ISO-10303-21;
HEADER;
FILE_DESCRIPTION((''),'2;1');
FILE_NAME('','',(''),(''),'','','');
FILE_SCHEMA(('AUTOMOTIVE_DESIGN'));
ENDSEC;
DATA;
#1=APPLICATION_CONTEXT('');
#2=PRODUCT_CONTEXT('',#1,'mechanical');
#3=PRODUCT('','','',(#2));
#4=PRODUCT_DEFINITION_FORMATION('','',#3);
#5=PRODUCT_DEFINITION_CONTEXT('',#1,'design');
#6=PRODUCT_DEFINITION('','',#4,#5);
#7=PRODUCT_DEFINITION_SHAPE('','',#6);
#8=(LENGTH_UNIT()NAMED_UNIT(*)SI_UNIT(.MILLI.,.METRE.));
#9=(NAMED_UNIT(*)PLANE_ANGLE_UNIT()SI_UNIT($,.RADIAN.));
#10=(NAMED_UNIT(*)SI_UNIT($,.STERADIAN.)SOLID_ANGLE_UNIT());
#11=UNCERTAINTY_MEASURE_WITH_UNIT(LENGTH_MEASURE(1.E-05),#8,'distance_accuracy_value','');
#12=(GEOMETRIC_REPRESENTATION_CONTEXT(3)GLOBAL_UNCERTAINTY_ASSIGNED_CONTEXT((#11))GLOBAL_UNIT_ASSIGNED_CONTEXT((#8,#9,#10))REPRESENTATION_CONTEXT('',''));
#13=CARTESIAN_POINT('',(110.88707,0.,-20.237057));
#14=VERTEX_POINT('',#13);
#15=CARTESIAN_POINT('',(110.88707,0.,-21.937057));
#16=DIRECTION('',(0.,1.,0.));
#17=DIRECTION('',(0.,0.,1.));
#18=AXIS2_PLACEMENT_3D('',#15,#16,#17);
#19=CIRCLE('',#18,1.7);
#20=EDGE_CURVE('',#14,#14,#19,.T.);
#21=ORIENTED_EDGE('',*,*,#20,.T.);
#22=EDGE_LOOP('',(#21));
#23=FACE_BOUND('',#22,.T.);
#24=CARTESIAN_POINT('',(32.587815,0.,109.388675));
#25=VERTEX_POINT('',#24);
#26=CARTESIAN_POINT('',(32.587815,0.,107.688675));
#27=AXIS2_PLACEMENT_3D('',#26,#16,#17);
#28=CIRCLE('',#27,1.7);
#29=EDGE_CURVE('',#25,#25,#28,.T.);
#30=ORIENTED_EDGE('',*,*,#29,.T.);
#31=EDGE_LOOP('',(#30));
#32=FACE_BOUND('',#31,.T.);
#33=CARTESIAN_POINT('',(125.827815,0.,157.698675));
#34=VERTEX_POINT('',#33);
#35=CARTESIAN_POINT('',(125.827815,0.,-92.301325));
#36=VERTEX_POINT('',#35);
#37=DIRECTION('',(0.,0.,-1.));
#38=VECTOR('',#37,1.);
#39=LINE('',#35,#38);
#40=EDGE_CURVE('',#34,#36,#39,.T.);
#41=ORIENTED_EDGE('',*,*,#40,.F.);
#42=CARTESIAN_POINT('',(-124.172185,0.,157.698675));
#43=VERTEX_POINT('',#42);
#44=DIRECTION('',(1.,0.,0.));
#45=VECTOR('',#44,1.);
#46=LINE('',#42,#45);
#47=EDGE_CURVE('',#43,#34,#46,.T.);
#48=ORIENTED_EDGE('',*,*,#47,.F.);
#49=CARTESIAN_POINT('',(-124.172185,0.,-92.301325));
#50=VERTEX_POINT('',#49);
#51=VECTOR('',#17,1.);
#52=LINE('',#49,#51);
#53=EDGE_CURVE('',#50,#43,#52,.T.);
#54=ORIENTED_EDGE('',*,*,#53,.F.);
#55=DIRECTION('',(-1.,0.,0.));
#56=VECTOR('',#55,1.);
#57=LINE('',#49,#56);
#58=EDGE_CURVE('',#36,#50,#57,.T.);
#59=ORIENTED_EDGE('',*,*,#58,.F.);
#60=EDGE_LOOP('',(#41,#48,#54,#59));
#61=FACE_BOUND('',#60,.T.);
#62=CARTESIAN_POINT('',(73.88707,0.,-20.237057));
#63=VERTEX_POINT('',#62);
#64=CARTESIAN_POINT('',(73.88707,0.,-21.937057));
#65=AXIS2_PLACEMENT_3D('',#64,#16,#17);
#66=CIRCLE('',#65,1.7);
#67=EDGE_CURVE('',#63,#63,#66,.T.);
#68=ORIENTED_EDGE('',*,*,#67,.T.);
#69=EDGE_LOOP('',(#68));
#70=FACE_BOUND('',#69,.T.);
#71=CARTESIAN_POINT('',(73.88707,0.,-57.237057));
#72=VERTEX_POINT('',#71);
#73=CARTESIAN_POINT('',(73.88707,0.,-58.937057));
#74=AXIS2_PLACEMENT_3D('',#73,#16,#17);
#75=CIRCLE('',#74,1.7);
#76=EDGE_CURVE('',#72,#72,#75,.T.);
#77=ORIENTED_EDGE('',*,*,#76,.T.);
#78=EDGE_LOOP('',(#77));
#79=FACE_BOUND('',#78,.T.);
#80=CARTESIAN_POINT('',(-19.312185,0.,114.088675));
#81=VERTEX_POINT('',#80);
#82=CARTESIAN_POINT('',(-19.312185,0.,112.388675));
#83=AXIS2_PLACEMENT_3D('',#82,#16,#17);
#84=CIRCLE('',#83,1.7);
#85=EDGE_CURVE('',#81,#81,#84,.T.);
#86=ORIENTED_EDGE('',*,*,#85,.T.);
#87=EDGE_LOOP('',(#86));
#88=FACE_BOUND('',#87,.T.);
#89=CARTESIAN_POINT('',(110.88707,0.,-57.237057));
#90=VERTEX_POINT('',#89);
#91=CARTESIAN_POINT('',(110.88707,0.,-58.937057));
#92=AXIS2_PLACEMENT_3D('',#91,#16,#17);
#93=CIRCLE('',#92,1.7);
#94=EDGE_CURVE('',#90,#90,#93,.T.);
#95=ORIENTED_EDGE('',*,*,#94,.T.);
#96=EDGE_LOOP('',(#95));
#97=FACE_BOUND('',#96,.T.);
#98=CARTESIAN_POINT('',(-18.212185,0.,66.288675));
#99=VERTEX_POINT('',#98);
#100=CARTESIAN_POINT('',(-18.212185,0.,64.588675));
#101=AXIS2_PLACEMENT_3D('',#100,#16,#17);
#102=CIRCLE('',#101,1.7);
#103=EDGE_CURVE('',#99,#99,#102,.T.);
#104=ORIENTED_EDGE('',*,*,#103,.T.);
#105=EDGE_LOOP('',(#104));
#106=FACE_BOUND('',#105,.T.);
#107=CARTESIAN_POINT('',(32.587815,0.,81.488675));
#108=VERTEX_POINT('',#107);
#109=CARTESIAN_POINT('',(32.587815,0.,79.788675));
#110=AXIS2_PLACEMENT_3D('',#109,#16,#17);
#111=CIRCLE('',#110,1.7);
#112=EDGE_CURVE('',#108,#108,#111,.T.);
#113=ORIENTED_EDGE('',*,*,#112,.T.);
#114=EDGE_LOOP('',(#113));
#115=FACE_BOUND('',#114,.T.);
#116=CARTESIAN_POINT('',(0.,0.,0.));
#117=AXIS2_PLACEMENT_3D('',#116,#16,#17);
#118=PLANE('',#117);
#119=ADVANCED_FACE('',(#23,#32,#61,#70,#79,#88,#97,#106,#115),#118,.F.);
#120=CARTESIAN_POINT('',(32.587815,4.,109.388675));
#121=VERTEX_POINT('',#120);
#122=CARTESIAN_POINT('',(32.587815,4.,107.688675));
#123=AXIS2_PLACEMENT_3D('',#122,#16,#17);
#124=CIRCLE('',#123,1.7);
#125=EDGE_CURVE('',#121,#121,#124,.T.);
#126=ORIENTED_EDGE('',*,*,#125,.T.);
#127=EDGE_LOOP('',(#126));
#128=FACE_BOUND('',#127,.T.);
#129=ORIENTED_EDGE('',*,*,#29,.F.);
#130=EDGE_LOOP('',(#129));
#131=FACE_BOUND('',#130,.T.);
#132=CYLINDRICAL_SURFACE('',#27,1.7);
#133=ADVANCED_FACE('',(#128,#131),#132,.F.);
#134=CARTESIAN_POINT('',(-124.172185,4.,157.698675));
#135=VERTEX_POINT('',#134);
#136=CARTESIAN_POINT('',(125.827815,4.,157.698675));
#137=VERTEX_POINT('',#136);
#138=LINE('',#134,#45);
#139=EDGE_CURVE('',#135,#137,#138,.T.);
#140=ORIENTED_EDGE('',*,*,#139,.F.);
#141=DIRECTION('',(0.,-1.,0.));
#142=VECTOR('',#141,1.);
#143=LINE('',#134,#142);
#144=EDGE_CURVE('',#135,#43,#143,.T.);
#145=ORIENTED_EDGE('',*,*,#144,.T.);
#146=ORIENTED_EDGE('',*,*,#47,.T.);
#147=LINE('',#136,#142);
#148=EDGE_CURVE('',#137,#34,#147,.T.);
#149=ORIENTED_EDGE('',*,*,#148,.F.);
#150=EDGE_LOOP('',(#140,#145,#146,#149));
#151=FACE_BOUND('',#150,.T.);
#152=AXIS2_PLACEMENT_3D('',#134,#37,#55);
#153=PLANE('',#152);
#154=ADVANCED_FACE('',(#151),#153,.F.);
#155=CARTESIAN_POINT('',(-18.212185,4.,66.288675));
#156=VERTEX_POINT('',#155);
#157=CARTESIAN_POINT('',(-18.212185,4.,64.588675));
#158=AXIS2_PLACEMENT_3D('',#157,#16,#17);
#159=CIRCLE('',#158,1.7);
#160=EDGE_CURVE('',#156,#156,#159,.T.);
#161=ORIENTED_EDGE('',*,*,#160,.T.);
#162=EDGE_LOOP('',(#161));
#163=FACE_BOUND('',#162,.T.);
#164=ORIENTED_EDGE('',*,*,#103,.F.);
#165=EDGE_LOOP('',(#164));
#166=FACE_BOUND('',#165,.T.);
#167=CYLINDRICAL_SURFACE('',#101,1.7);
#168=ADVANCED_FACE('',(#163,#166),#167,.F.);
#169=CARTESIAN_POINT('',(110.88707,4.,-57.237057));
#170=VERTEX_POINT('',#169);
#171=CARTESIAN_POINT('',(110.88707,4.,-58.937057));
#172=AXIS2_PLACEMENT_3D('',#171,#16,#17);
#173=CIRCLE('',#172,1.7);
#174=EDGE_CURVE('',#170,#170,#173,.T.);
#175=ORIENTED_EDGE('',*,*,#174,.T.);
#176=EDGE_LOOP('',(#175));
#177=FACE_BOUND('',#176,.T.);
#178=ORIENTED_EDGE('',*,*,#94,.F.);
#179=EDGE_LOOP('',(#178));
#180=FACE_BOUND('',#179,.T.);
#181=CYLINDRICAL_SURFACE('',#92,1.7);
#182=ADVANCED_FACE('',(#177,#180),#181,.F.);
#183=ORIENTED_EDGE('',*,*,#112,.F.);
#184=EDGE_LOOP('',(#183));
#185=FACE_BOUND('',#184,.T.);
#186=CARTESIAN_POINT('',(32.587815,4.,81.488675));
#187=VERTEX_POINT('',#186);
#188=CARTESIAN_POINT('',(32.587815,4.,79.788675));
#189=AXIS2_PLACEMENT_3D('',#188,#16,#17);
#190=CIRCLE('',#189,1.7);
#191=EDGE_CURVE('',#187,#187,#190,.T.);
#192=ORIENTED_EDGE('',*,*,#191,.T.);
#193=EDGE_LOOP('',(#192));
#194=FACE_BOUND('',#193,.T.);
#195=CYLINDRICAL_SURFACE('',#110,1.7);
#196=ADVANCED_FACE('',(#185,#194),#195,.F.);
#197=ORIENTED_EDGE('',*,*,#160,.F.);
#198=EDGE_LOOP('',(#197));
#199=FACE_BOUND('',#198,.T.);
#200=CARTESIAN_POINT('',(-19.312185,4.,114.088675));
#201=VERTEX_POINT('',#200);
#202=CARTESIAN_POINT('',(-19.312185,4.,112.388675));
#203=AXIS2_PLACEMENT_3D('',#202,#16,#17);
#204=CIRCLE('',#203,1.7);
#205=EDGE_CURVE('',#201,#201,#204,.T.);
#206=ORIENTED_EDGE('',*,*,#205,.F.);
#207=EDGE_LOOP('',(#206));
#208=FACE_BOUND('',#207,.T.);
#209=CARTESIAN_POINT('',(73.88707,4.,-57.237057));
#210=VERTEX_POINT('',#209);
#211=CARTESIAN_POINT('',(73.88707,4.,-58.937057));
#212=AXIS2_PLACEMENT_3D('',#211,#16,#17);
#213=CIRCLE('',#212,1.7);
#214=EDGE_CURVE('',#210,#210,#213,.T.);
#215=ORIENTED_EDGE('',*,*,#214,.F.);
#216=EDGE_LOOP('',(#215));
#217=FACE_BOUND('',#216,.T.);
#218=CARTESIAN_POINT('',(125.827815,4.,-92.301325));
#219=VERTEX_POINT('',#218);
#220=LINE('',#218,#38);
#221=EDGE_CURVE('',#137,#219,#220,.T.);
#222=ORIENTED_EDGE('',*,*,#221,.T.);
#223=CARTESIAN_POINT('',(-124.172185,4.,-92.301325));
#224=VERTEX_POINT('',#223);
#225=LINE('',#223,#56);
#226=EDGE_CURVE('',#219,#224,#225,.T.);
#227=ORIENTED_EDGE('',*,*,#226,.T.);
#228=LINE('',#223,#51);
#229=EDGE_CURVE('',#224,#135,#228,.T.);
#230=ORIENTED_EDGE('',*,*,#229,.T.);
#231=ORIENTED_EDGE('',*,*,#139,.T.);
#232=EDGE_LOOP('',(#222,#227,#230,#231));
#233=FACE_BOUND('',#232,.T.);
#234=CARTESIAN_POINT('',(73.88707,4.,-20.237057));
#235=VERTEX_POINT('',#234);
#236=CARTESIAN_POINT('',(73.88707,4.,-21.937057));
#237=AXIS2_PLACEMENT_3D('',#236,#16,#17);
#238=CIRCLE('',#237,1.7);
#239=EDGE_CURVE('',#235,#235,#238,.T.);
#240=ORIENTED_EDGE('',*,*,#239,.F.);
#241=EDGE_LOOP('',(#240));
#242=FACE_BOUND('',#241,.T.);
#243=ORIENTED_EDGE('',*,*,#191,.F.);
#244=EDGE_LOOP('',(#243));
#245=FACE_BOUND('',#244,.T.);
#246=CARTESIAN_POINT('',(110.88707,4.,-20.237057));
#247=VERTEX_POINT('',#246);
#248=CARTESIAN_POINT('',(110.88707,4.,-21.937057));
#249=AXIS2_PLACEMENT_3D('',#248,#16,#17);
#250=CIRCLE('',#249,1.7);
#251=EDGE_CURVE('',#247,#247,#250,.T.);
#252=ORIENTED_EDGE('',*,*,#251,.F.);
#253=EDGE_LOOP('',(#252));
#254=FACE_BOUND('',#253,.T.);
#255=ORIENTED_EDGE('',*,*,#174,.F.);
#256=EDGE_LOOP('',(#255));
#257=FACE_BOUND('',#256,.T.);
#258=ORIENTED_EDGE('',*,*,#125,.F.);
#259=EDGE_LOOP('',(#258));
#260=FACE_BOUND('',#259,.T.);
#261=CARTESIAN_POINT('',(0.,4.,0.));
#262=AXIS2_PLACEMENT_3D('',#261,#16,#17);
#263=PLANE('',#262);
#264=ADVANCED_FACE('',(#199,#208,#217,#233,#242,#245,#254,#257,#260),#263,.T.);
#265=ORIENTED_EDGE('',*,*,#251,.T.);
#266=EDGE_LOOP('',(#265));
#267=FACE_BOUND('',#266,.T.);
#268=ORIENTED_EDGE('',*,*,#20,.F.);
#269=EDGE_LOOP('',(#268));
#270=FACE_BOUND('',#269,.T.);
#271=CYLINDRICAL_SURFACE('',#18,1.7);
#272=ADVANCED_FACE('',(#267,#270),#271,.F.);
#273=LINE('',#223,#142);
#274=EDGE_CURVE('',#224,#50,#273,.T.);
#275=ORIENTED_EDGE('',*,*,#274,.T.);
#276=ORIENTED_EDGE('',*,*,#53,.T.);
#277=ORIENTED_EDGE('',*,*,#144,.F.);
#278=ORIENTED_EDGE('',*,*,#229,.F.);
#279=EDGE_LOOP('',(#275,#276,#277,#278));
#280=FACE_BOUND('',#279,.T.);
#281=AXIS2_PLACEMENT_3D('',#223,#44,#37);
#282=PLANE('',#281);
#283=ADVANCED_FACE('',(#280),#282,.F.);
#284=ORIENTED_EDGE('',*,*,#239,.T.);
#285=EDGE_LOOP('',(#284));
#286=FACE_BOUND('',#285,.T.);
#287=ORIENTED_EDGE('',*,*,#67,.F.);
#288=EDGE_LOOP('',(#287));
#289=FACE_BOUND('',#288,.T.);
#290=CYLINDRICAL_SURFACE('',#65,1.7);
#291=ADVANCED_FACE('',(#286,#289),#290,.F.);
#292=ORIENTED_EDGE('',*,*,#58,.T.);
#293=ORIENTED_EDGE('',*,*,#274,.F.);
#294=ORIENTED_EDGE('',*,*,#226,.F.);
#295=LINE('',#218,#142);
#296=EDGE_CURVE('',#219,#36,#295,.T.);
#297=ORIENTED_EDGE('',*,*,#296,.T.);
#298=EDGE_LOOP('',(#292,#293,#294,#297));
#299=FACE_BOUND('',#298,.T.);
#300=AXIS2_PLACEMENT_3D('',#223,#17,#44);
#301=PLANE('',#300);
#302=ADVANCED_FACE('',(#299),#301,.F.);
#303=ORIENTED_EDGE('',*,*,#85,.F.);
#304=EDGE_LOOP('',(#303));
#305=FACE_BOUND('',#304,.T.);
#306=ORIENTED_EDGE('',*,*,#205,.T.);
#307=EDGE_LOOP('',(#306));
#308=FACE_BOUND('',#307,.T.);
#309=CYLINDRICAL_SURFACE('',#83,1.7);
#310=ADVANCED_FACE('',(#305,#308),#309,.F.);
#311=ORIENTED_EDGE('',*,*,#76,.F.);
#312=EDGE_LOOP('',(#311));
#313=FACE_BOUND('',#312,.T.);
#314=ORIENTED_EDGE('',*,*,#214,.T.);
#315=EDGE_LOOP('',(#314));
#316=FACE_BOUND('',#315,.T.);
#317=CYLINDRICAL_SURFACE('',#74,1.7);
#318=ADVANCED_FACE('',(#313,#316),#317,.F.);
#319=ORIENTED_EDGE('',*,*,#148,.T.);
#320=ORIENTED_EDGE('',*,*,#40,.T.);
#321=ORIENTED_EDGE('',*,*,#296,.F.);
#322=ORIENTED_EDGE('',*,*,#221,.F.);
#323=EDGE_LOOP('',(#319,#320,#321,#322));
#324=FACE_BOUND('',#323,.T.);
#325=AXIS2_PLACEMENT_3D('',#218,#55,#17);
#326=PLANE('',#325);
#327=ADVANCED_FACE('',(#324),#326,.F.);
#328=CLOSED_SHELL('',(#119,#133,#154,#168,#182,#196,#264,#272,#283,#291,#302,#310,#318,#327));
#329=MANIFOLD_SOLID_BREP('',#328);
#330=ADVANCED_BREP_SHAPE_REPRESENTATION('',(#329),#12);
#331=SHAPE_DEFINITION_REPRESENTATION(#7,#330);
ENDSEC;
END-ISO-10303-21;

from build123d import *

# Parameters (mm, degrees)
SKETCH1_W           = 250
SKETCH1_H           = 250
BOSS_EXTRUDE1_DEPTH = 4
SKETCH3_R           = 1.7
CUT_EXTRUDE1_DEPTH  = 4


with BuildPart() as part:
    # Sketch1 → Boss-Extrude1 (new body)
    with BuildSketch(Plane(origin=(0, 0, 0), x_dir=(1, 0, 0), z_dir=(0, 1, 0))):
        with Locations((0.82781457, -32.698675497)):
            Rectangle(SKETCH1_W, SKETCH1_H)
    extrude(amount=BOSS_EXTRUDE1_DEPTH)

    # Sketch3 → Cut-Extrude1 (cut)
    with BuildSketch(Plane(origin=(0, 4, 0), x_dir=(1, 0, 0), z_dir=(0, 1, 0))):
        with Locations(Location((-18.21218543, -64.588675497, 0), (0, 0, 270))):
            Circle(SKETCH3_R)
        with Locations(Location((-19.31218543, -112.388675497, 0), (0, 0, 270))):
            Circle(SKETCH3_R)
        with Locations(Location((32.58781457, -79.788675497, 0), (0, 0, 270))):
            Circle(SKETCH3_R)
        with Locations(Location((32.58781457, -107.688675497, 0), (0, 0, 270))):
            Circle(SKETCH3_R)
        with Locations(Location((73.887070129, 21.937056584, 0), (0, 0, 270))):
            Circle(SKETCH3_R)
        with Locations(Location((73.887070129, 58.937056584, 0), (0, 0, 270))):
            Circle(SKETCH3_R)
        with Locations(Location((110.887070129, 21.937056584, 0), (0, 0, 270))):
            Circle(SKETCH3_R)
        with Locations(Location((110.887070129, 58.937056584, 0), (0, 0, 270))):
            Circle(SKETCH3_R)
    extrude(amount=-CUT_EXTRUDE1_DEPTH, mode=Mode.SUBTRACT)


solid = part.part
